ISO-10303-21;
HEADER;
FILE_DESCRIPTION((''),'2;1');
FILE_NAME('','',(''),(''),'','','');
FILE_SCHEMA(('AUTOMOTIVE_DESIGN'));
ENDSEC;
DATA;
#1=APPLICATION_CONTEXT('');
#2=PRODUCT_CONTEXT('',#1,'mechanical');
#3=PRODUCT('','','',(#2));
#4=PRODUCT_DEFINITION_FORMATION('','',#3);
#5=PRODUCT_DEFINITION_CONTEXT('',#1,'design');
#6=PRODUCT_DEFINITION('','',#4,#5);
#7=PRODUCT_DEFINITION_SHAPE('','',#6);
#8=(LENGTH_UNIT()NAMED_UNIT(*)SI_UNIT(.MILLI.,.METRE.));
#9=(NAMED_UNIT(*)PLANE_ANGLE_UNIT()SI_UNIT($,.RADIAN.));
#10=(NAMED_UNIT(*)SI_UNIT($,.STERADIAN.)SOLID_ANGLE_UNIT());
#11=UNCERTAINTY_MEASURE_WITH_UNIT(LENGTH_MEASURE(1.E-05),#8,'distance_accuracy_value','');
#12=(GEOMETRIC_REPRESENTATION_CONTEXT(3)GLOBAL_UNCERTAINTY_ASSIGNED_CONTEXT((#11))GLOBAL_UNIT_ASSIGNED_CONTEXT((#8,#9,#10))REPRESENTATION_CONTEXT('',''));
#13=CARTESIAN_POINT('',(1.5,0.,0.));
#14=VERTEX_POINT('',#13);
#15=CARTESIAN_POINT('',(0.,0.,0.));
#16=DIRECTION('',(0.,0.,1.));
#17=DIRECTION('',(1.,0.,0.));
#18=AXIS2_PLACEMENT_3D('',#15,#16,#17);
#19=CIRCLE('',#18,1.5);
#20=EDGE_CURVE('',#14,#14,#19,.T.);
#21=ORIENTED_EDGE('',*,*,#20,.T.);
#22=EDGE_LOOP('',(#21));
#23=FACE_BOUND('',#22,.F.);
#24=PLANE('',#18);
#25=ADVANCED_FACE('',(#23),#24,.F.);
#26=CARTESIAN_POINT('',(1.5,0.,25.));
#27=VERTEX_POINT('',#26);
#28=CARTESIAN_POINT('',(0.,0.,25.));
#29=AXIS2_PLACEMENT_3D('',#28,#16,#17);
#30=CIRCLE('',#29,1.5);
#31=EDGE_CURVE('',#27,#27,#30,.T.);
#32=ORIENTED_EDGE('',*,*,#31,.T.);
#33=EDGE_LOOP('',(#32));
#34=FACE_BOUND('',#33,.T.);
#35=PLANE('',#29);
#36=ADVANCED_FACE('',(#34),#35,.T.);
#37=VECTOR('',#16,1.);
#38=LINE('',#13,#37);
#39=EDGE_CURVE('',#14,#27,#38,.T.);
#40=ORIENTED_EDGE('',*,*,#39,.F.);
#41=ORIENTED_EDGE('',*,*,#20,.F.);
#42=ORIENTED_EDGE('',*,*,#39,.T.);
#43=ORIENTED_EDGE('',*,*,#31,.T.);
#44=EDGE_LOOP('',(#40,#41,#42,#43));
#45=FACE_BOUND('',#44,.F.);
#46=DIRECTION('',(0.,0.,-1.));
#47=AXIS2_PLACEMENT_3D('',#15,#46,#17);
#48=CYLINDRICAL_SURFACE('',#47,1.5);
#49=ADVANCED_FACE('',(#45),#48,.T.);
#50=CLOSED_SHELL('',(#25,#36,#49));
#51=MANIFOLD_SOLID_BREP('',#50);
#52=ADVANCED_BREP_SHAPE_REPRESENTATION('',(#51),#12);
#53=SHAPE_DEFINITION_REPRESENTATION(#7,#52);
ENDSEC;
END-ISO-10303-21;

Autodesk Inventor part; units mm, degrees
ref_plane "YZ Plane" through (0, 0, 0) normal (1, 0, 0) x (0, 1, 0)
ref_plane "XZ Plane" through (0, 0, 0) normal (0, 1, 0) x (-1, 0, 0)
ref_plane "XY Plane" through (0, 0, 0) normal (0, 0, 1) x (1, 0, 0)
sketch "スケッチ1" plane through (0, 0, 0) normal (0, 0, 1) x (1, 0, 0)
  circle A0 centre (0, 0) radius 1.5
  dimension "d0" = 3
extrude "押し出し1" add sketch "スケッチ1" along normal blind 25
properties part number "ステンレス平行ピンΦ3h7_25"
